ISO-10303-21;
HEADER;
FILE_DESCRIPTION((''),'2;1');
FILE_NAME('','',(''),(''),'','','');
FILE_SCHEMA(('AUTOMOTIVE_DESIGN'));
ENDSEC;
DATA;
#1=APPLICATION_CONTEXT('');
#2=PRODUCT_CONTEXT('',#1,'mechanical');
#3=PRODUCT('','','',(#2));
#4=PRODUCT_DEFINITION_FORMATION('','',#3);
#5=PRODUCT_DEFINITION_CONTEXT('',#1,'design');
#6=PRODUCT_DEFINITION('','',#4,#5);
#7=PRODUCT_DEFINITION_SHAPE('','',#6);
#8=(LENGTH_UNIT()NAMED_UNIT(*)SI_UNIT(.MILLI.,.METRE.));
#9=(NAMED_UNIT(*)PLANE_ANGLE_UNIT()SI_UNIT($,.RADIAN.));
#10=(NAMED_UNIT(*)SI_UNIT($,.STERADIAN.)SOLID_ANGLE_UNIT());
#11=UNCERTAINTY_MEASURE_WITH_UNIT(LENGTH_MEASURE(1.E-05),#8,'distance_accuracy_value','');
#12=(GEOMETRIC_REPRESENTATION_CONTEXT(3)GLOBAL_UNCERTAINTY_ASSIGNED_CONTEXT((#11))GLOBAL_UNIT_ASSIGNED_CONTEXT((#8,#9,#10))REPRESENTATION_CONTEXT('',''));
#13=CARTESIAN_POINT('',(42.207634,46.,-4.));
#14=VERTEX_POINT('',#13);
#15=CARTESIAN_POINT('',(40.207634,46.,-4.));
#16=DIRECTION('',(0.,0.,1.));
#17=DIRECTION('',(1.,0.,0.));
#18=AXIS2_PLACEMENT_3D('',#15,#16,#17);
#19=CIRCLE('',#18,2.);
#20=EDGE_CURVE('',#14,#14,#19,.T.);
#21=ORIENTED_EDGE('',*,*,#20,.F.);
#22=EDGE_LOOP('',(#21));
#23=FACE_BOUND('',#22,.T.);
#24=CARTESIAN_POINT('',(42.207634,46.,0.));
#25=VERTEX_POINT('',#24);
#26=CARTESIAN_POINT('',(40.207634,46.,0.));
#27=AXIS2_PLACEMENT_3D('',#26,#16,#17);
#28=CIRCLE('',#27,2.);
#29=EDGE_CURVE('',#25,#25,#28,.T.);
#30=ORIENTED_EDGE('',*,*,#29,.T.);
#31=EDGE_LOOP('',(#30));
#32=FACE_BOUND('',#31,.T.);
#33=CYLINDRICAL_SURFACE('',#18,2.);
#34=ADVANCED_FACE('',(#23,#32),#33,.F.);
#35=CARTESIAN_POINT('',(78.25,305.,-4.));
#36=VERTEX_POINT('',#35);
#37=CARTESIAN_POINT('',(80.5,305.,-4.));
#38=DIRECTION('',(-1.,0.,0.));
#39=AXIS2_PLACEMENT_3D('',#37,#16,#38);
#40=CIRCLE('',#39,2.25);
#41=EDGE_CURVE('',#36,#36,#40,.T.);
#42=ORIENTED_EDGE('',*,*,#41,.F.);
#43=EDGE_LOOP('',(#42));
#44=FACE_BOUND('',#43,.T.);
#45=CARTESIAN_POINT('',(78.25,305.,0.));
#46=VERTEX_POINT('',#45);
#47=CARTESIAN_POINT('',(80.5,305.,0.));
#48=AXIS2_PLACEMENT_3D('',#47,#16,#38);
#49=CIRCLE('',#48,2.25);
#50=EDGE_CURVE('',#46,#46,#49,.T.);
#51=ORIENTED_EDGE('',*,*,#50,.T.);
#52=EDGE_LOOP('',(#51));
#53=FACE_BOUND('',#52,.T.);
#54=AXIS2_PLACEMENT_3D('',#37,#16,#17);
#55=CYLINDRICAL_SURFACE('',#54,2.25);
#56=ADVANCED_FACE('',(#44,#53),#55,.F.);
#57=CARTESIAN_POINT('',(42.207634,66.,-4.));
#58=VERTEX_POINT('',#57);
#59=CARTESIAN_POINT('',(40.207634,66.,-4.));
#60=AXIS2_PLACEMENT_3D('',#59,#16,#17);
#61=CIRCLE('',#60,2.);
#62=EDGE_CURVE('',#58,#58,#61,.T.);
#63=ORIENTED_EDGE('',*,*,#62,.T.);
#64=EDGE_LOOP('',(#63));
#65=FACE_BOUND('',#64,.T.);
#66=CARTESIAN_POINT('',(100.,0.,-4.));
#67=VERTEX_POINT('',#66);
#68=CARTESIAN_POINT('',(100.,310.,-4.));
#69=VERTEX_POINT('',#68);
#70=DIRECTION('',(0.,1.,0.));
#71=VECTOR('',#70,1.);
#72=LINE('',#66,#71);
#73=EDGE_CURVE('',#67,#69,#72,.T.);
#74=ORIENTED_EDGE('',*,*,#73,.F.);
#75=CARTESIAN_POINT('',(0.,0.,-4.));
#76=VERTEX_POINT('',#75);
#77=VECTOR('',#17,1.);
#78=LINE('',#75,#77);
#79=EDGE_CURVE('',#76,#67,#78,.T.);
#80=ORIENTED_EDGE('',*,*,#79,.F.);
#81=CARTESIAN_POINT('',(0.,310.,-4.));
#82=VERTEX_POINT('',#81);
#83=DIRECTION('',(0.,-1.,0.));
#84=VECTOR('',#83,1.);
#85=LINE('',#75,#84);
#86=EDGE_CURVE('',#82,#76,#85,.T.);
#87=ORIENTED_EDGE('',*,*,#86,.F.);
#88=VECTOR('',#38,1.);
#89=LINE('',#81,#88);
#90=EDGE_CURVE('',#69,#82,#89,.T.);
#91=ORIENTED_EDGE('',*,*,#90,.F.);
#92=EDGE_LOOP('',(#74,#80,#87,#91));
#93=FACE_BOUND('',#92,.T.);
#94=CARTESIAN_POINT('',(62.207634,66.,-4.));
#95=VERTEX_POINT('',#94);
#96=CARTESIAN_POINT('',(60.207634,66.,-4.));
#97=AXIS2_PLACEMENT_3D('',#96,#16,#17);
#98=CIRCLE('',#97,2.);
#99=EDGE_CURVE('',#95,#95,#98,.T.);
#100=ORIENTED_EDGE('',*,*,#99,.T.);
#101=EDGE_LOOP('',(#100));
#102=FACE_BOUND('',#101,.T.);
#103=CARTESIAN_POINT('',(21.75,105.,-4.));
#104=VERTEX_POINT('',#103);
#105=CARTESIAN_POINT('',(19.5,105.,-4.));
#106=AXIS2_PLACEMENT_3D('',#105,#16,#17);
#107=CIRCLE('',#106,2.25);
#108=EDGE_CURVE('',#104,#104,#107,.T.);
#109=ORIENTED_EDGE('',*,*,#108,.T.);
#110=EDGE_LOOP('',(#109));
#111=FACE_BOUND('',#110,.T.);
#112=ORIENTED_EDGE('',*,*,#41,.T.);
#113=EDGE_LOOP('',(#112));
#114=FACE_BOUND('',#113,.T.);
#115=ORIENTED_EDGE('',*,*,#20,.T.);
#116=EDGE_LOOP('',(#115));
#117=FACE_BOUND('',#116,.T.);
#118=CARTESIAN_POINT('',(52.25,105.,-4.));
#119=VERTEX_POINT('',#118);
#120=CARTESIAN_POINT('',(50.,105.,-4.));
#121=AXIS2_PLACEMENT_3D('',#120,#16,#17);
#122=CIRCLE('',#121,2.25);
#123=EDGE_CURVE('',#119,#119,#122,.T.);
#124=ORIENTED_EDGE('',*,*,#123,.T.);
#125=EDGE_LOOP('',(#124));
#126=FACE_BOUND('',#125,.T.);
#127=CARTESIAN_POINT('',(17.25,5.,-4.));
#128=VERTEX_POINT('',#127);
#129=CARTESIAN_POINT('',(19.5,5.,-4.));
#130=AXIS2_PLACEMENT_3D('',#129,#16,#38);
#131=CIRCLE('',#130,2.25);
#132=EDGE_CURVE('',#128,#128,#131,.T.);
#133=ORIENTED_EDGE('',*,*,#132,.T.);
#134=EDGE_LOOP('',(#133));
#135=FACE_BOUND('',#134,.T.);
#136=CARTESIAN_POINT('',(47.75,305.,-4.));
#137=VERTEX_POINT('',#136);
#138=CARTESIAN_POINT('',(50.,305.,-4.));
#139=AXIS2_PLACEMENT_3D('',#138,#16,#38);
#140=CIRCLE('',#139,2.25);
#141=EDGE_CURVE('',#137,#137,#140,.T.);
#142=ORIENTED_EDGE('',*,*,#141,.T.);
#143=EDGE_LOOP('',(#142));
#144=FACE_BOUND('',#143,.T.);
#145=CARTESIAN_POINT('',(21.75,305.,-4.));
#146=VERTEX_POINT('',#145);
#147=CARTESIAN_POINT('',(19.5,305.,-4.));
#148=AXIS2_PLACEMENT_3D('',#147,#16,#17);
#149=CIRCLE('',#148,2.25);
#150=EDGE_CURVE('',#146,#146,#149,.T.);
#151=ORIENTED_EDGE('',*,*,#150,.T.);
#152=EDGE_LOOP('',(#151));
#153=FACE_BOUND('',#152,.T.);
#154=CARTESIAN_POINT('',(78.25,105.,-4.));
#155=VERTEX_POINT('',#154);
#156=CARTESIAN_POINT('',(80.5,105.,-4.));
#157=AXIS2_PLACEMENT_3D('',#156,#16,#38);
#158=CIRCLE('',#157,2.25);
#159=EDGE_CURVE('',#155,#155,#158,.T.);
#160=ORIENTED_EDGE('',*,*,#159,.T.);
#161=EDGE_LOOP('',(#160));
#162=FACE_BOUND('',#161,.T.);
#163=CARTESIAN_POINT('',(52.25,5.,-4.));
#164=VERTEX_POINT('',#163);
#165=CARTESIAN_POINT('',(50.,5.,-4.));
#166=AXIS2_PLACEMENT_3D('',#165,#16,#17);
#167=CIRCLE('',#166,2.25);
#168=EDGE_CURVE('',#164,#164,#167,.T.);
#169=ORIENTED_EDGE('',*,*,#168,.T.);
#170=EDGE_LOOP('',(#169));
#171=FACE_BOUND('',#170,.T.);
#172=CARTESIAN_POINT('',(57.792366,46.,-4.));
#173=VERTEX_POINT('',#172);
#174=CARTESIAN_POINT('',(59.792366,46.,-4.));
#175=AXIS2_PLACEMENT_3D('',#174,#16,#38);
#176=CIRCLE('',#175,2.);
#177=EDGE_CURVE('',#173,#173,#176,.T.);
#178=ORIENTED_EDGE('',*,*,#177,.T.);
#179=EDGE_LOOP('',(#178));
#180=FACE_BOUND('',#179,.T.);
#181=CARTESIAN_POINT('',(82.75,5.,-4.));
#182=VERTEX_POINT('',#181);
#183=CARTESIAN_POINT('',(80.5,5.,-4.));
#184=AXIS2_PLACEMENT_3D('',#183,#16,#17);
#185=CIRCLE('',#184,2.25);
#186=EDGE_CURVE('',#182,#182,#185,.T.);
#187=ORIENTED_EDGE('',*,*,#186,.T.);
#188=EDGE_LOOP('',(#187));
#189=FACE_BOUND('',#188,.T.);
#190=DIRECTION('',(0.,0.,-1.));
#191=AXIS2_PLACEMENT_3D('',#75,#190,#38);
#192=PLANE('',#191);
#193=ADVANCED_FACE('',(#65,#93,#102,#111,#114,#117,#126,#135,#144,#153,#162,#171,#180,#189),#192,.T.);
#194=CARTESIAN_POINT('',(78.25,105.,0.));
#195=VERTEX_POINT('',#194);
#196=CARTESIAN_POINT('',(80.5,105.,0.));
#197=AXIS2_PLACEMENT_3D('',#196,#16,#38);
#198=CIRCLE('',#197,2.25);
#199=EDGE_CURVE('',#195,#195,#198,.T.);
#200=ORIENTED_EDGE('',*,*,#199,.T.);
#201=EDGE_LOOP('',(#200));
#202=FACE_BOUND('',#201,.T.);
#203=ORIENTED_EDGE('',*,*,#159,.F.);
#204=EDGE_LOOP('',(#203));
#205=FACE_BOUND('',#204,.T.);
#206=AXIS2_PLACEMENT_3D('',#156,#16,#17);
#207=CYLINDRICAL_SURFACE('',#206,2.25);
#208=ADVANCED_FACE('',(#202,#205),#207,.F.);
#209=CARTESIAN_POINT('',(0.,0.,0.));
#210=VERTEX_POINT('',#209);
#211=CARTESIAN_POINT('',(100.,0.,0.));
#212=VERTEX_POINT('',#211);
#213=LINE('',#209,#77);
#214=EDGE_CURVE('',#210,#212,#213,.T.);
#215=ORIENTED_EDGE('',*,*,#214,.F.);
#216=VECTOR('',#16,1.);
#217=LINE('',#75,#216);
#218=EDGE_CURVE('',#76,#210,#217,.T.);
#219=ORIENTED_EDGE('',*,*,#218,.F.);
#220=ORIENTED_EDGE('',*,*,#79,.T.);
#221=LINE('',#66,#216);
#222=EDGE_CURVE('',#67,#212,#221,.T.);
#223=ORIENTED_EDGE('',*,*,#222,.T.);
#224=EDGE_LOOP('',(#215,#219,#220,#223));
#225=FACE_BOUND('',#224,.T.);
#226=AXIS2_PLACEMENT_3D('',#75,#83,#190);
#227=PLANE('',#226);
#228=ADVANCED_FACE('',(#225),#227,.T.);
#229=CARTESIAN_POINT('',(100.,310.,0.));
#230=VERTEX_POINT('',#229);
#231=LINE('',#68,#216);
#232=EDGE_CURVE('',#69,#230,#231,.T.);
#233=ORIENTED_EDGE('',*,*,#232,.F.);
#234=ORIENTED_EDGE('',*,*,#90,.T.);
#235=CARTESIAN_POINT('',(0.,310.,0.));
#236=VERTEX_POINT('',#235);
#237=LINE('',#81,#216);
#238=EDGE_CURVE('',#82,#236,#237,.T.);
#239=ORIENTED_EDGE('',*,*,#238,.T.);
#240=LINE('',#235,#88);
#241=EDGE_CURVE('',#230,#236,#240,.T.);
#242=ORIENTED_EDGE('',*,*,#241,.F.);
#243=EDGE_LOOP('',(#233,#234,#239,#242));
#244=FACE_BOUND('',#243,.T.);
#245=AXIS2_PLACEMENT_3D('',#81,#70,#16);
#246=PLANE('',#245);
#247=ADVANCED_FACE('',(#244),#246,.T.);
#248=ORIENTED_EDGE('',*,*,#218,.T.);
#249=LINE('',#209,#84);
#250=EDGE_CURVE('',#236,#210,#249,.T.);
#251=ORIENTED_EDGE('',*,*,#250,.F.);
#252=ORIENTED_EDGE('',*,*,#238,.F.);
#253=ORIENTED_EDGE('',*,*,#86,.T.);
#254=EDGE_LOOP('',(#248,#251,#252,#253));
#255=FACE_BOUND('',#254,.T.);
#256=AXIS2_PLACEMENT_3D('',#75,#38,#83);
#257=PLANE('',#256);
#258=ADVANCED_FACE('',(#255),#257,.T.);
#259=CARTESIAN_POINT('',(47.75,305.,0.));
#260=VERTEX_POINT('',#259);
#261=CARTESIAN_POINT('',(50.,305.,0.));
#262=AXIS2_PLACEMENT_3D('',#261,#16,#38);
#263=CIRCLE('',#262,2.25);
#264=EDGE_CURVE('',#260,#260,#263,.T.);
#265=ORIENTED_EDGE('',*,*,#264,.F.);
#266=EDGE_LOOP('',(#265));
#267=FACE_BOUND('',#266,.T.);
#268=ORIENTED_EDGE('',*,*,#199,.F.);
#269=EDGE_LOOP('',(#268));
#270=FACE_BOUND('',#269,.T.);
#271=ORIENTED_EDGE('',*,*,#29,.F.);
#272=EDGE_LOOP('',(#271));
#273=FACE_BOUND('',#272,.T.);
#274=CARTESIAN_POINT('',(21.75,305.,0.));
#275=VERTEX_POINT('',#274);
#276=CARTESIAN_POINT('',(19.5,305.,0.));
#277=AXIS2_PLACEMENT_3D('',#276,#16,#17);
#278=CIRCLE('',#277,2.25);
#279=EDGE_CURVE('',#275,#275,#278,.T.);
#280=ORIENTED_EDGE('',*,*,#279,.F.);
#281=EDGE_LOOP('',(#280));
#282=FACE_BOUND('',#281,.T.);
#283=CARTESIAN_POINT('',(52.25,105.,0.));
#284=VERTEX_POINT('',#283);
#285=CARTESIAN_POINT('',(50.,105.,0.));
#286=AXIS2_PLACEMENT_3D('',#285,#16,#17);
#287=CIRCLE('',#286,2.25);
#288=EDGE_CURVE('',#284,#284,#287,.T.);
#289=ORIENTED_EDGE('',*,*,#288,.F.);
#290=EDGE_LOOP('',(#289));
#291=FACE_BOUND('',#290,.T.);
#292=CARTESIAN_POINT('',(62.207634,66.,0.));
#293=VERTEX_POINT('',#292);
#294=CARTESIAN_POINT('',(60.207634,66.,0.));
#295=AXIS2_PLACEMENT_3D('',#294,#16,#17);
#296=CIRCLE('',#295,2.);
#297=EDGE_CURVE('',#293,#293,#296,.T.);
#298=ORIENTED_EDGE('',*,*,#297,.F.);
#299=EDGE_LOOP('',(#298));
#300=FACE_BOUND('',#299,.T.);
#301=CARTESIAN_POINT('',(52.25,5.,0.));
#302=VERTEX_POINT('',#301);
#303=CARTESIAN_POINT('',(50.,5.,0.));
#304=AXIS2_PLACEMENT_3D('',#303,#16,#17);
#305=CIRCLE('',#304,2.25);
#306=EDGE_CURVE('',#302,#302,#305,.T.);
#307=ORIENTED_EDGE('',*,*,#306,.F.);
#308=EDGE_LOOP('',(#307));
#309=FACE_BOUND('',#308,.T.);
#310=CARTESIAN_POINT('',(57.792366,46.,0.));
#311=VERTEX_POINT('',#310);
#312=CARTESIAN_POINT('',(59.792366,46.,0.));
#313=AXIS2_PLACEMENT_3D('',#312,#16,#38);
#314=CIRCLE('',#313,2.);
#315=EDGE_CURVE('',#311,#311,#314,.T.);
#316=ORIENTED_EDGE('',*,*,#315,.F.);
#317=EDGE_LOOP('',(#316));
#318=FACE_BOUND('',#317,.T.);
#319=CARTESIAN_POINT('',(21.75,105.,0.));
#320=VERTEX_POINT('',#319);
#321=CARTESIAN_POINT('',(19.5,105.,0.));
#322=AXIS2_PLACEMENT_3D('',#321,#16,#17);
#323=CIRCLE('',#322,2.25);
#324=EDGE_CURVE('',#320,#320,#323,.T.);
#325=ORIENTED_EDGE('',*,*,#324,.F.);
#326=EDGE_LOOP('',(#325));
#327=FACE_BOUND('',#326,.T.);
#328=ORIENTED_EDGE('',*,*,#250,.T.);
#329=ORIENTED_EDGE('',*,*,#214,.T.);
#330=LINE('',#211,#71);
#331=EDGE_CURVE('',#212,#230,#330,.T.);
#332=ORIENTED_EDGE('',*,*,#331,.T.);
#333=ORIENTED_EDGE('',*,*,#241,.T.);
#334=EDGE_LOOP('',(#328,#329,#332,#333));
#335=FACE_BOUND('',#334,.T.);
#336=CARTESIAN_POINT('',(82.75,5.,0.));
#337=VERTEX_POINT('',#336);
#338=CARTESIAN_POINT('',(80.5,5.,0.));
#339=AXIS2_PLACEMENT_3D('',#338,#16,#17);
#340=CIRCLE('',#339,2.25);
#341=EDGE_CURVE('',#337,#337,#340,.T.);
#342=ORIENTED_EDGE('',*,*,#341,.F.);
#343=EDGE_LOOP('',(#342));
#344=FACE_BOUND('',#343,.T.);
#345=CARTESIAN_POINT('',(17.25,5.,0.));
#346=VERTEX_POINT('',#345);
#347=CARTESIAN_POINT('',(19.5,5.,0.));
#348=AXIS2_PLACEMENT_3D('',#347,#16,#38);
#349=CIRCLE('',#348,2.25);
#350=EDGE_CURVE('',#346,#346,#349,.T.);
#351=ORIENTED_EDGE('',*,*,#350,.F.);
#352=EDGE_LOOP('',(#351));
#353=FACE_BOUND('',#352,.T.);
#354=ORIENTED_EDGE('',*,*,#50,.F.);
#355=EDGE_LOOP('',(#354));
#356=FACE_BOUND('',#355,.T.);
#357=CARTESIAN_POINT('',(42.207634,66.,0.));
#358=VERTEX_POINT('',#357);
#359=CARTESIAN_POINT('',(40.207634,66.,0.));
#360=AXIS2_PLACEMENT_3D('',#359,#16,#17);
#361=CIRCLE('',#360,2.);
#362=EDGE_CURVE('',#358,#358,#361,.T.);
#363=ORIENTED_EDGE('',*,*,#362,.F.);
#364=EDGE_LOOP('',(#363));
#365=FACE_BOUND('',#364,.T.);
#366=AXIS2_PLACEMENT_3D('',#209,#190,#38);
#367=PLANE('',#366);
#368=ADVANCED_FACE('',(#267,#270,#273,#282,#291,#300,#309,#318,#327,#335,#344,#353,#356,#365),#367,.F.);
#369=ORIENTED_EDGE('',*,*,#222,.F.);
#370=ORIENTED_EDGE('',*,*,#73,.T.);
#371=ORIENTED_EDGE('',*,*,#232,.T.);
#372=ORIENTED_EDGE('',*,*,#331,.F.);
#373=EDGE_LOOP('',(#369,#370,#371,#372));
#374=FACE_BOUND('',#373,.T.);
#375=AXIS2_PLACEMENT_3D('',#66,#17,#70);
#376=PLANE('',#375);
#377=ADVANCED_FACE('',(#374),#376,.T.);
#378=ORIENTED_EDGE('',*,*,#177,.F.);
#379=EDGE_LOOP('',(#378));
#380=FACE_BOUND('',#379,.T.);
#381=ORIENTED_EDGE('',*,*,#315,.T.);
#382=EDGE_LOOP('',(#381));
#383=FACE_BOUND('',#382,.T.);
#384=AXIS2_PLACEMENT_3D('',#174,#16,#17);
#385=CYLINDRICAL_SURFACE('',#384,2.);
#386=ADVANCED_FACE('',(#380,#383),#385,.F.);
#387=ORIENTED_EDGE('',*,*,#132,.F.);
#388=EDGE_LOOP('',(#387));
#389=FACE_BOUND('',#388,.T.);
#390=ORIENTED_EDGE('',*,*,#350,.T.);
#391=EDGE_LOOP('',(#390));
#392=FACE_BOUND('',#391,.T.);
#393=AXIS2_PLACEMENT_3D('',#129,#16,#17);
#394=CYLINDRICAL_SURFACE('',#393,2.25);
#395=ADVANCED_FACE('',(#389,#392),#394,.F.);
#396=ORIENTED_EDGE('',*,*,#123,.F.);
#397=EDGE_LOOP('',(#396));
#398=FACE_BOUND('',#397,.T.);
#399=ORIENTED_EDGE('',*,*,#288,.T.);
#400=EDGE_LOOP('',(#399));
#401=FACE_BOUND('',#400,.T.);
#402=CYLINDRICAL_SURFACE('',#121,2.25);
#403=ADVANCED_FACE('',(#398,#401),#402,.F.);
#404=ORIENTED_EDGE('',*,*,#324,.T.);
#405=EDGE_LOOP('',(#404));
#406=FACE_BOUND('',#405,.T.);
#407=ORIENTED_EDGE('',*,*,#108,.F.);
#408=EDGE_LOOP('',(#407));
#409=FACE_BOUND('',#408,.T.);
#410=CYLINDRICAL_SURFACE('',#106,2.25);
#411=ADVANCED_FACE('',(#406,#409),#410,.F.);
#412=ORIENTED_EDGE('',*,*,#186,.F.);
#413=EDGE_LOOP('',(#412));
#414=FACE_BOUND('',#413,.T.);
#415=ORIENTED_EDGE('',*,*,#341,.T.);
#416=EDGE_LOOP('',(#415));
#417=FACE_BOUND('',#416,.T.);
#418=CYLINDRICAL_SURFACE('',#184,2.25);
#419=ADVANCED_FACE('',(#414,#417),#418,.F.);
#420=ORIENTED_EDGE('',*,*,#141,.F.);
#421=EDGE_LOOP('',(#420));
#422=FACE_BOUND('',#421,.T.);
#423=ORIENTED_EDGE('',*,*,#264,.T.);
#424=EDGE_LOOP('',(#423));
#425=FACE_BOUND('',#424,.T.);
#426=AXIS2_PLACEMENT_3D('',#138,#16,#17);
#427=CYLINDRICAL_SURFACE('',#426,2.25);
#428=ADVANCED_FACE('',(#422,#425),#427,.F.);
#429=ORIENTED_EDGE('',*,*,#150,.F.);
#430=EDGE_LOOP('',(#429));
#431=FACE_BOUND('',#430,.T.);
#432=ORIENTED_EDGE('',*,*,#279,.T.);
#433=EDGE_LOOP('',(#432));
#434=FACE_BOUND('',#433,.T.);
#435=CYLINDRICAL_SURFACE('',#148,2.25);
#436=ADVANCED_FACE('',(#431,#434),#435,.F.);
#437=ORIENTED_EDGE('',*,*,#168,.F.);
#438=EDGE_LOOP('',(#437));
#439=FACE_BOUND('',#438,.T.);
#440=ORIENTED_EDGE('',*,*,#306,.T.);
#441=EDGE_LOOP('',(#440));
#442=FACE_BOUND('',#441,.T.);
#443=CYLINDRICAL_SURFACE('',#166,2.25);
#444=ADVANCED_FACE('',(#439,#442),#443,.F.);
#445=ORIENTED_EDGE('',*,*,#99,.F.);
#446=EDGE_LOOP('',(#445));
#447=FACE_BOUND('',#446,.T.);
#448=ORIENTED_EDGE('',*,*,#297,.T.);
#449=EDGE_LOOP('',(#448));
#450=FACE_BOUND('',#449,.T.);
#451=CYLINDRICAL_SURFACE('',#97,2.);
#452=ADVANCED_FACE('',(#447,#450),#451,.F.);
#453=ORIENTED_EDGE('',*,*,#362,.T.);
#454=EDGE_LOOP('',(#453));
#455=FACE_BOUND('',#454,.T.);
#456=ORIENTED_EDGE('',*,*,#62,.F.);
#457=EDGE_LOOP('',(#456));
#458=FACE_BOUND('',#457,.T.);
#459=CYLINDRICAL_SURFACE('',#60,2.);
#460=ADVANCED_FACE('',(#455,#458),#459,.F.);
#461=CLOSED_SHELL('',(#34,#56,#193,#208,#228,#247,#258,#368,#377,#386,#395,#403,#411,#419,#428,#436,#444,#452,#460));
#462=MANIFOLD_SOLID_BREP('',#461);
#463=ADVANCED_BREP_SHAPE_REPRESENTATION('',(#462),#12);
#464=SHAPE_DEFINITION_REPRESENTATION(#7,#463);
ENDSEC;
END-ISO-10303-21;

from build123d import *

# Parameters (mm, degrees)
SCHIZZO1_W                   = 100
SCHIZZO1_H                   = 310
SCHIZZO1_R                   = 2.25
SCHIZZO1_R_2                 = 2
ESTRUSIONE_ESTRUSIONE1_DEPTH = 4


with BuildPart() as part:
    # Schizzo1 → Estrusione-Estrusione1 (new body)
    with BuildSketch(Plane.XY):
        with Locations((50, 155)):
            Rectangle(SCHIZZO1_W, SCHIZZO1_H)
        with Locations((80.5, 5)):
            Circle(SCHIZZO1_R, mode=Mode.SUBTRACT)
        with Locations((50, 5)):
            Circle(SCHIZZO1_R, mode=Mode.SUBTRACT)
        with Locations(Location((19.5, 5, 0), (0, 0, 180))):
            Circle(SCHIZZO1_R, mode=Mode.SUBTRACT)
        with Locations((19.5, 305)):
            Circle(SCHIZZO1_R, mode=Mode.SUBTRACT)
        with Locations(Location((50, 305, 0), (0, 0, 180))):
            Circle(SCHIZZO1_R, mode=Mode.SUBTRACT)
        with Locations(Location((80.5, 305, 0), (0, 0, 180))):
            Circle(SCHIZZO1_R, mode=Mode.SUBTRACT)
        with Locations((40.207634416, 46)):
            Circle(SCHIZZO1_R_2, mode=Mode.SUBTRACT)
        with Locations(Location((59.792365584, 46, 0), (0, 0, 180))):
            Circle(SCHIZZO1_R_2, mode=Mode.SUBTRACT)
        with Locations((40.207634416, 66)):
            Circle(SCHIZZO1_R_2, mode=Mode.SUBTRACT)
        with Locations((60.207634416, 66)):
            Circle(SCHIZZO1_R_2, mode=Mode.SUBTRACT)
        with Locations((50, 105)):
            Circle(SCHIZZO1_R, mode=Mode.SUBTRACT)
        with Locations(Location((80.5, 105, 0), (0, 0, 180))):
            Circle(SCHIZZO1_R, mode=Mode.SUBTRACT)
        with Locations((19.5, 105)):
            Circle(SCHIZZO1_R, mode=Mode.SUBTRACT)
    extrude(amount=-ESTRUSIONE_ESTRUSIONE1_DEPTH)


solid = part.part
